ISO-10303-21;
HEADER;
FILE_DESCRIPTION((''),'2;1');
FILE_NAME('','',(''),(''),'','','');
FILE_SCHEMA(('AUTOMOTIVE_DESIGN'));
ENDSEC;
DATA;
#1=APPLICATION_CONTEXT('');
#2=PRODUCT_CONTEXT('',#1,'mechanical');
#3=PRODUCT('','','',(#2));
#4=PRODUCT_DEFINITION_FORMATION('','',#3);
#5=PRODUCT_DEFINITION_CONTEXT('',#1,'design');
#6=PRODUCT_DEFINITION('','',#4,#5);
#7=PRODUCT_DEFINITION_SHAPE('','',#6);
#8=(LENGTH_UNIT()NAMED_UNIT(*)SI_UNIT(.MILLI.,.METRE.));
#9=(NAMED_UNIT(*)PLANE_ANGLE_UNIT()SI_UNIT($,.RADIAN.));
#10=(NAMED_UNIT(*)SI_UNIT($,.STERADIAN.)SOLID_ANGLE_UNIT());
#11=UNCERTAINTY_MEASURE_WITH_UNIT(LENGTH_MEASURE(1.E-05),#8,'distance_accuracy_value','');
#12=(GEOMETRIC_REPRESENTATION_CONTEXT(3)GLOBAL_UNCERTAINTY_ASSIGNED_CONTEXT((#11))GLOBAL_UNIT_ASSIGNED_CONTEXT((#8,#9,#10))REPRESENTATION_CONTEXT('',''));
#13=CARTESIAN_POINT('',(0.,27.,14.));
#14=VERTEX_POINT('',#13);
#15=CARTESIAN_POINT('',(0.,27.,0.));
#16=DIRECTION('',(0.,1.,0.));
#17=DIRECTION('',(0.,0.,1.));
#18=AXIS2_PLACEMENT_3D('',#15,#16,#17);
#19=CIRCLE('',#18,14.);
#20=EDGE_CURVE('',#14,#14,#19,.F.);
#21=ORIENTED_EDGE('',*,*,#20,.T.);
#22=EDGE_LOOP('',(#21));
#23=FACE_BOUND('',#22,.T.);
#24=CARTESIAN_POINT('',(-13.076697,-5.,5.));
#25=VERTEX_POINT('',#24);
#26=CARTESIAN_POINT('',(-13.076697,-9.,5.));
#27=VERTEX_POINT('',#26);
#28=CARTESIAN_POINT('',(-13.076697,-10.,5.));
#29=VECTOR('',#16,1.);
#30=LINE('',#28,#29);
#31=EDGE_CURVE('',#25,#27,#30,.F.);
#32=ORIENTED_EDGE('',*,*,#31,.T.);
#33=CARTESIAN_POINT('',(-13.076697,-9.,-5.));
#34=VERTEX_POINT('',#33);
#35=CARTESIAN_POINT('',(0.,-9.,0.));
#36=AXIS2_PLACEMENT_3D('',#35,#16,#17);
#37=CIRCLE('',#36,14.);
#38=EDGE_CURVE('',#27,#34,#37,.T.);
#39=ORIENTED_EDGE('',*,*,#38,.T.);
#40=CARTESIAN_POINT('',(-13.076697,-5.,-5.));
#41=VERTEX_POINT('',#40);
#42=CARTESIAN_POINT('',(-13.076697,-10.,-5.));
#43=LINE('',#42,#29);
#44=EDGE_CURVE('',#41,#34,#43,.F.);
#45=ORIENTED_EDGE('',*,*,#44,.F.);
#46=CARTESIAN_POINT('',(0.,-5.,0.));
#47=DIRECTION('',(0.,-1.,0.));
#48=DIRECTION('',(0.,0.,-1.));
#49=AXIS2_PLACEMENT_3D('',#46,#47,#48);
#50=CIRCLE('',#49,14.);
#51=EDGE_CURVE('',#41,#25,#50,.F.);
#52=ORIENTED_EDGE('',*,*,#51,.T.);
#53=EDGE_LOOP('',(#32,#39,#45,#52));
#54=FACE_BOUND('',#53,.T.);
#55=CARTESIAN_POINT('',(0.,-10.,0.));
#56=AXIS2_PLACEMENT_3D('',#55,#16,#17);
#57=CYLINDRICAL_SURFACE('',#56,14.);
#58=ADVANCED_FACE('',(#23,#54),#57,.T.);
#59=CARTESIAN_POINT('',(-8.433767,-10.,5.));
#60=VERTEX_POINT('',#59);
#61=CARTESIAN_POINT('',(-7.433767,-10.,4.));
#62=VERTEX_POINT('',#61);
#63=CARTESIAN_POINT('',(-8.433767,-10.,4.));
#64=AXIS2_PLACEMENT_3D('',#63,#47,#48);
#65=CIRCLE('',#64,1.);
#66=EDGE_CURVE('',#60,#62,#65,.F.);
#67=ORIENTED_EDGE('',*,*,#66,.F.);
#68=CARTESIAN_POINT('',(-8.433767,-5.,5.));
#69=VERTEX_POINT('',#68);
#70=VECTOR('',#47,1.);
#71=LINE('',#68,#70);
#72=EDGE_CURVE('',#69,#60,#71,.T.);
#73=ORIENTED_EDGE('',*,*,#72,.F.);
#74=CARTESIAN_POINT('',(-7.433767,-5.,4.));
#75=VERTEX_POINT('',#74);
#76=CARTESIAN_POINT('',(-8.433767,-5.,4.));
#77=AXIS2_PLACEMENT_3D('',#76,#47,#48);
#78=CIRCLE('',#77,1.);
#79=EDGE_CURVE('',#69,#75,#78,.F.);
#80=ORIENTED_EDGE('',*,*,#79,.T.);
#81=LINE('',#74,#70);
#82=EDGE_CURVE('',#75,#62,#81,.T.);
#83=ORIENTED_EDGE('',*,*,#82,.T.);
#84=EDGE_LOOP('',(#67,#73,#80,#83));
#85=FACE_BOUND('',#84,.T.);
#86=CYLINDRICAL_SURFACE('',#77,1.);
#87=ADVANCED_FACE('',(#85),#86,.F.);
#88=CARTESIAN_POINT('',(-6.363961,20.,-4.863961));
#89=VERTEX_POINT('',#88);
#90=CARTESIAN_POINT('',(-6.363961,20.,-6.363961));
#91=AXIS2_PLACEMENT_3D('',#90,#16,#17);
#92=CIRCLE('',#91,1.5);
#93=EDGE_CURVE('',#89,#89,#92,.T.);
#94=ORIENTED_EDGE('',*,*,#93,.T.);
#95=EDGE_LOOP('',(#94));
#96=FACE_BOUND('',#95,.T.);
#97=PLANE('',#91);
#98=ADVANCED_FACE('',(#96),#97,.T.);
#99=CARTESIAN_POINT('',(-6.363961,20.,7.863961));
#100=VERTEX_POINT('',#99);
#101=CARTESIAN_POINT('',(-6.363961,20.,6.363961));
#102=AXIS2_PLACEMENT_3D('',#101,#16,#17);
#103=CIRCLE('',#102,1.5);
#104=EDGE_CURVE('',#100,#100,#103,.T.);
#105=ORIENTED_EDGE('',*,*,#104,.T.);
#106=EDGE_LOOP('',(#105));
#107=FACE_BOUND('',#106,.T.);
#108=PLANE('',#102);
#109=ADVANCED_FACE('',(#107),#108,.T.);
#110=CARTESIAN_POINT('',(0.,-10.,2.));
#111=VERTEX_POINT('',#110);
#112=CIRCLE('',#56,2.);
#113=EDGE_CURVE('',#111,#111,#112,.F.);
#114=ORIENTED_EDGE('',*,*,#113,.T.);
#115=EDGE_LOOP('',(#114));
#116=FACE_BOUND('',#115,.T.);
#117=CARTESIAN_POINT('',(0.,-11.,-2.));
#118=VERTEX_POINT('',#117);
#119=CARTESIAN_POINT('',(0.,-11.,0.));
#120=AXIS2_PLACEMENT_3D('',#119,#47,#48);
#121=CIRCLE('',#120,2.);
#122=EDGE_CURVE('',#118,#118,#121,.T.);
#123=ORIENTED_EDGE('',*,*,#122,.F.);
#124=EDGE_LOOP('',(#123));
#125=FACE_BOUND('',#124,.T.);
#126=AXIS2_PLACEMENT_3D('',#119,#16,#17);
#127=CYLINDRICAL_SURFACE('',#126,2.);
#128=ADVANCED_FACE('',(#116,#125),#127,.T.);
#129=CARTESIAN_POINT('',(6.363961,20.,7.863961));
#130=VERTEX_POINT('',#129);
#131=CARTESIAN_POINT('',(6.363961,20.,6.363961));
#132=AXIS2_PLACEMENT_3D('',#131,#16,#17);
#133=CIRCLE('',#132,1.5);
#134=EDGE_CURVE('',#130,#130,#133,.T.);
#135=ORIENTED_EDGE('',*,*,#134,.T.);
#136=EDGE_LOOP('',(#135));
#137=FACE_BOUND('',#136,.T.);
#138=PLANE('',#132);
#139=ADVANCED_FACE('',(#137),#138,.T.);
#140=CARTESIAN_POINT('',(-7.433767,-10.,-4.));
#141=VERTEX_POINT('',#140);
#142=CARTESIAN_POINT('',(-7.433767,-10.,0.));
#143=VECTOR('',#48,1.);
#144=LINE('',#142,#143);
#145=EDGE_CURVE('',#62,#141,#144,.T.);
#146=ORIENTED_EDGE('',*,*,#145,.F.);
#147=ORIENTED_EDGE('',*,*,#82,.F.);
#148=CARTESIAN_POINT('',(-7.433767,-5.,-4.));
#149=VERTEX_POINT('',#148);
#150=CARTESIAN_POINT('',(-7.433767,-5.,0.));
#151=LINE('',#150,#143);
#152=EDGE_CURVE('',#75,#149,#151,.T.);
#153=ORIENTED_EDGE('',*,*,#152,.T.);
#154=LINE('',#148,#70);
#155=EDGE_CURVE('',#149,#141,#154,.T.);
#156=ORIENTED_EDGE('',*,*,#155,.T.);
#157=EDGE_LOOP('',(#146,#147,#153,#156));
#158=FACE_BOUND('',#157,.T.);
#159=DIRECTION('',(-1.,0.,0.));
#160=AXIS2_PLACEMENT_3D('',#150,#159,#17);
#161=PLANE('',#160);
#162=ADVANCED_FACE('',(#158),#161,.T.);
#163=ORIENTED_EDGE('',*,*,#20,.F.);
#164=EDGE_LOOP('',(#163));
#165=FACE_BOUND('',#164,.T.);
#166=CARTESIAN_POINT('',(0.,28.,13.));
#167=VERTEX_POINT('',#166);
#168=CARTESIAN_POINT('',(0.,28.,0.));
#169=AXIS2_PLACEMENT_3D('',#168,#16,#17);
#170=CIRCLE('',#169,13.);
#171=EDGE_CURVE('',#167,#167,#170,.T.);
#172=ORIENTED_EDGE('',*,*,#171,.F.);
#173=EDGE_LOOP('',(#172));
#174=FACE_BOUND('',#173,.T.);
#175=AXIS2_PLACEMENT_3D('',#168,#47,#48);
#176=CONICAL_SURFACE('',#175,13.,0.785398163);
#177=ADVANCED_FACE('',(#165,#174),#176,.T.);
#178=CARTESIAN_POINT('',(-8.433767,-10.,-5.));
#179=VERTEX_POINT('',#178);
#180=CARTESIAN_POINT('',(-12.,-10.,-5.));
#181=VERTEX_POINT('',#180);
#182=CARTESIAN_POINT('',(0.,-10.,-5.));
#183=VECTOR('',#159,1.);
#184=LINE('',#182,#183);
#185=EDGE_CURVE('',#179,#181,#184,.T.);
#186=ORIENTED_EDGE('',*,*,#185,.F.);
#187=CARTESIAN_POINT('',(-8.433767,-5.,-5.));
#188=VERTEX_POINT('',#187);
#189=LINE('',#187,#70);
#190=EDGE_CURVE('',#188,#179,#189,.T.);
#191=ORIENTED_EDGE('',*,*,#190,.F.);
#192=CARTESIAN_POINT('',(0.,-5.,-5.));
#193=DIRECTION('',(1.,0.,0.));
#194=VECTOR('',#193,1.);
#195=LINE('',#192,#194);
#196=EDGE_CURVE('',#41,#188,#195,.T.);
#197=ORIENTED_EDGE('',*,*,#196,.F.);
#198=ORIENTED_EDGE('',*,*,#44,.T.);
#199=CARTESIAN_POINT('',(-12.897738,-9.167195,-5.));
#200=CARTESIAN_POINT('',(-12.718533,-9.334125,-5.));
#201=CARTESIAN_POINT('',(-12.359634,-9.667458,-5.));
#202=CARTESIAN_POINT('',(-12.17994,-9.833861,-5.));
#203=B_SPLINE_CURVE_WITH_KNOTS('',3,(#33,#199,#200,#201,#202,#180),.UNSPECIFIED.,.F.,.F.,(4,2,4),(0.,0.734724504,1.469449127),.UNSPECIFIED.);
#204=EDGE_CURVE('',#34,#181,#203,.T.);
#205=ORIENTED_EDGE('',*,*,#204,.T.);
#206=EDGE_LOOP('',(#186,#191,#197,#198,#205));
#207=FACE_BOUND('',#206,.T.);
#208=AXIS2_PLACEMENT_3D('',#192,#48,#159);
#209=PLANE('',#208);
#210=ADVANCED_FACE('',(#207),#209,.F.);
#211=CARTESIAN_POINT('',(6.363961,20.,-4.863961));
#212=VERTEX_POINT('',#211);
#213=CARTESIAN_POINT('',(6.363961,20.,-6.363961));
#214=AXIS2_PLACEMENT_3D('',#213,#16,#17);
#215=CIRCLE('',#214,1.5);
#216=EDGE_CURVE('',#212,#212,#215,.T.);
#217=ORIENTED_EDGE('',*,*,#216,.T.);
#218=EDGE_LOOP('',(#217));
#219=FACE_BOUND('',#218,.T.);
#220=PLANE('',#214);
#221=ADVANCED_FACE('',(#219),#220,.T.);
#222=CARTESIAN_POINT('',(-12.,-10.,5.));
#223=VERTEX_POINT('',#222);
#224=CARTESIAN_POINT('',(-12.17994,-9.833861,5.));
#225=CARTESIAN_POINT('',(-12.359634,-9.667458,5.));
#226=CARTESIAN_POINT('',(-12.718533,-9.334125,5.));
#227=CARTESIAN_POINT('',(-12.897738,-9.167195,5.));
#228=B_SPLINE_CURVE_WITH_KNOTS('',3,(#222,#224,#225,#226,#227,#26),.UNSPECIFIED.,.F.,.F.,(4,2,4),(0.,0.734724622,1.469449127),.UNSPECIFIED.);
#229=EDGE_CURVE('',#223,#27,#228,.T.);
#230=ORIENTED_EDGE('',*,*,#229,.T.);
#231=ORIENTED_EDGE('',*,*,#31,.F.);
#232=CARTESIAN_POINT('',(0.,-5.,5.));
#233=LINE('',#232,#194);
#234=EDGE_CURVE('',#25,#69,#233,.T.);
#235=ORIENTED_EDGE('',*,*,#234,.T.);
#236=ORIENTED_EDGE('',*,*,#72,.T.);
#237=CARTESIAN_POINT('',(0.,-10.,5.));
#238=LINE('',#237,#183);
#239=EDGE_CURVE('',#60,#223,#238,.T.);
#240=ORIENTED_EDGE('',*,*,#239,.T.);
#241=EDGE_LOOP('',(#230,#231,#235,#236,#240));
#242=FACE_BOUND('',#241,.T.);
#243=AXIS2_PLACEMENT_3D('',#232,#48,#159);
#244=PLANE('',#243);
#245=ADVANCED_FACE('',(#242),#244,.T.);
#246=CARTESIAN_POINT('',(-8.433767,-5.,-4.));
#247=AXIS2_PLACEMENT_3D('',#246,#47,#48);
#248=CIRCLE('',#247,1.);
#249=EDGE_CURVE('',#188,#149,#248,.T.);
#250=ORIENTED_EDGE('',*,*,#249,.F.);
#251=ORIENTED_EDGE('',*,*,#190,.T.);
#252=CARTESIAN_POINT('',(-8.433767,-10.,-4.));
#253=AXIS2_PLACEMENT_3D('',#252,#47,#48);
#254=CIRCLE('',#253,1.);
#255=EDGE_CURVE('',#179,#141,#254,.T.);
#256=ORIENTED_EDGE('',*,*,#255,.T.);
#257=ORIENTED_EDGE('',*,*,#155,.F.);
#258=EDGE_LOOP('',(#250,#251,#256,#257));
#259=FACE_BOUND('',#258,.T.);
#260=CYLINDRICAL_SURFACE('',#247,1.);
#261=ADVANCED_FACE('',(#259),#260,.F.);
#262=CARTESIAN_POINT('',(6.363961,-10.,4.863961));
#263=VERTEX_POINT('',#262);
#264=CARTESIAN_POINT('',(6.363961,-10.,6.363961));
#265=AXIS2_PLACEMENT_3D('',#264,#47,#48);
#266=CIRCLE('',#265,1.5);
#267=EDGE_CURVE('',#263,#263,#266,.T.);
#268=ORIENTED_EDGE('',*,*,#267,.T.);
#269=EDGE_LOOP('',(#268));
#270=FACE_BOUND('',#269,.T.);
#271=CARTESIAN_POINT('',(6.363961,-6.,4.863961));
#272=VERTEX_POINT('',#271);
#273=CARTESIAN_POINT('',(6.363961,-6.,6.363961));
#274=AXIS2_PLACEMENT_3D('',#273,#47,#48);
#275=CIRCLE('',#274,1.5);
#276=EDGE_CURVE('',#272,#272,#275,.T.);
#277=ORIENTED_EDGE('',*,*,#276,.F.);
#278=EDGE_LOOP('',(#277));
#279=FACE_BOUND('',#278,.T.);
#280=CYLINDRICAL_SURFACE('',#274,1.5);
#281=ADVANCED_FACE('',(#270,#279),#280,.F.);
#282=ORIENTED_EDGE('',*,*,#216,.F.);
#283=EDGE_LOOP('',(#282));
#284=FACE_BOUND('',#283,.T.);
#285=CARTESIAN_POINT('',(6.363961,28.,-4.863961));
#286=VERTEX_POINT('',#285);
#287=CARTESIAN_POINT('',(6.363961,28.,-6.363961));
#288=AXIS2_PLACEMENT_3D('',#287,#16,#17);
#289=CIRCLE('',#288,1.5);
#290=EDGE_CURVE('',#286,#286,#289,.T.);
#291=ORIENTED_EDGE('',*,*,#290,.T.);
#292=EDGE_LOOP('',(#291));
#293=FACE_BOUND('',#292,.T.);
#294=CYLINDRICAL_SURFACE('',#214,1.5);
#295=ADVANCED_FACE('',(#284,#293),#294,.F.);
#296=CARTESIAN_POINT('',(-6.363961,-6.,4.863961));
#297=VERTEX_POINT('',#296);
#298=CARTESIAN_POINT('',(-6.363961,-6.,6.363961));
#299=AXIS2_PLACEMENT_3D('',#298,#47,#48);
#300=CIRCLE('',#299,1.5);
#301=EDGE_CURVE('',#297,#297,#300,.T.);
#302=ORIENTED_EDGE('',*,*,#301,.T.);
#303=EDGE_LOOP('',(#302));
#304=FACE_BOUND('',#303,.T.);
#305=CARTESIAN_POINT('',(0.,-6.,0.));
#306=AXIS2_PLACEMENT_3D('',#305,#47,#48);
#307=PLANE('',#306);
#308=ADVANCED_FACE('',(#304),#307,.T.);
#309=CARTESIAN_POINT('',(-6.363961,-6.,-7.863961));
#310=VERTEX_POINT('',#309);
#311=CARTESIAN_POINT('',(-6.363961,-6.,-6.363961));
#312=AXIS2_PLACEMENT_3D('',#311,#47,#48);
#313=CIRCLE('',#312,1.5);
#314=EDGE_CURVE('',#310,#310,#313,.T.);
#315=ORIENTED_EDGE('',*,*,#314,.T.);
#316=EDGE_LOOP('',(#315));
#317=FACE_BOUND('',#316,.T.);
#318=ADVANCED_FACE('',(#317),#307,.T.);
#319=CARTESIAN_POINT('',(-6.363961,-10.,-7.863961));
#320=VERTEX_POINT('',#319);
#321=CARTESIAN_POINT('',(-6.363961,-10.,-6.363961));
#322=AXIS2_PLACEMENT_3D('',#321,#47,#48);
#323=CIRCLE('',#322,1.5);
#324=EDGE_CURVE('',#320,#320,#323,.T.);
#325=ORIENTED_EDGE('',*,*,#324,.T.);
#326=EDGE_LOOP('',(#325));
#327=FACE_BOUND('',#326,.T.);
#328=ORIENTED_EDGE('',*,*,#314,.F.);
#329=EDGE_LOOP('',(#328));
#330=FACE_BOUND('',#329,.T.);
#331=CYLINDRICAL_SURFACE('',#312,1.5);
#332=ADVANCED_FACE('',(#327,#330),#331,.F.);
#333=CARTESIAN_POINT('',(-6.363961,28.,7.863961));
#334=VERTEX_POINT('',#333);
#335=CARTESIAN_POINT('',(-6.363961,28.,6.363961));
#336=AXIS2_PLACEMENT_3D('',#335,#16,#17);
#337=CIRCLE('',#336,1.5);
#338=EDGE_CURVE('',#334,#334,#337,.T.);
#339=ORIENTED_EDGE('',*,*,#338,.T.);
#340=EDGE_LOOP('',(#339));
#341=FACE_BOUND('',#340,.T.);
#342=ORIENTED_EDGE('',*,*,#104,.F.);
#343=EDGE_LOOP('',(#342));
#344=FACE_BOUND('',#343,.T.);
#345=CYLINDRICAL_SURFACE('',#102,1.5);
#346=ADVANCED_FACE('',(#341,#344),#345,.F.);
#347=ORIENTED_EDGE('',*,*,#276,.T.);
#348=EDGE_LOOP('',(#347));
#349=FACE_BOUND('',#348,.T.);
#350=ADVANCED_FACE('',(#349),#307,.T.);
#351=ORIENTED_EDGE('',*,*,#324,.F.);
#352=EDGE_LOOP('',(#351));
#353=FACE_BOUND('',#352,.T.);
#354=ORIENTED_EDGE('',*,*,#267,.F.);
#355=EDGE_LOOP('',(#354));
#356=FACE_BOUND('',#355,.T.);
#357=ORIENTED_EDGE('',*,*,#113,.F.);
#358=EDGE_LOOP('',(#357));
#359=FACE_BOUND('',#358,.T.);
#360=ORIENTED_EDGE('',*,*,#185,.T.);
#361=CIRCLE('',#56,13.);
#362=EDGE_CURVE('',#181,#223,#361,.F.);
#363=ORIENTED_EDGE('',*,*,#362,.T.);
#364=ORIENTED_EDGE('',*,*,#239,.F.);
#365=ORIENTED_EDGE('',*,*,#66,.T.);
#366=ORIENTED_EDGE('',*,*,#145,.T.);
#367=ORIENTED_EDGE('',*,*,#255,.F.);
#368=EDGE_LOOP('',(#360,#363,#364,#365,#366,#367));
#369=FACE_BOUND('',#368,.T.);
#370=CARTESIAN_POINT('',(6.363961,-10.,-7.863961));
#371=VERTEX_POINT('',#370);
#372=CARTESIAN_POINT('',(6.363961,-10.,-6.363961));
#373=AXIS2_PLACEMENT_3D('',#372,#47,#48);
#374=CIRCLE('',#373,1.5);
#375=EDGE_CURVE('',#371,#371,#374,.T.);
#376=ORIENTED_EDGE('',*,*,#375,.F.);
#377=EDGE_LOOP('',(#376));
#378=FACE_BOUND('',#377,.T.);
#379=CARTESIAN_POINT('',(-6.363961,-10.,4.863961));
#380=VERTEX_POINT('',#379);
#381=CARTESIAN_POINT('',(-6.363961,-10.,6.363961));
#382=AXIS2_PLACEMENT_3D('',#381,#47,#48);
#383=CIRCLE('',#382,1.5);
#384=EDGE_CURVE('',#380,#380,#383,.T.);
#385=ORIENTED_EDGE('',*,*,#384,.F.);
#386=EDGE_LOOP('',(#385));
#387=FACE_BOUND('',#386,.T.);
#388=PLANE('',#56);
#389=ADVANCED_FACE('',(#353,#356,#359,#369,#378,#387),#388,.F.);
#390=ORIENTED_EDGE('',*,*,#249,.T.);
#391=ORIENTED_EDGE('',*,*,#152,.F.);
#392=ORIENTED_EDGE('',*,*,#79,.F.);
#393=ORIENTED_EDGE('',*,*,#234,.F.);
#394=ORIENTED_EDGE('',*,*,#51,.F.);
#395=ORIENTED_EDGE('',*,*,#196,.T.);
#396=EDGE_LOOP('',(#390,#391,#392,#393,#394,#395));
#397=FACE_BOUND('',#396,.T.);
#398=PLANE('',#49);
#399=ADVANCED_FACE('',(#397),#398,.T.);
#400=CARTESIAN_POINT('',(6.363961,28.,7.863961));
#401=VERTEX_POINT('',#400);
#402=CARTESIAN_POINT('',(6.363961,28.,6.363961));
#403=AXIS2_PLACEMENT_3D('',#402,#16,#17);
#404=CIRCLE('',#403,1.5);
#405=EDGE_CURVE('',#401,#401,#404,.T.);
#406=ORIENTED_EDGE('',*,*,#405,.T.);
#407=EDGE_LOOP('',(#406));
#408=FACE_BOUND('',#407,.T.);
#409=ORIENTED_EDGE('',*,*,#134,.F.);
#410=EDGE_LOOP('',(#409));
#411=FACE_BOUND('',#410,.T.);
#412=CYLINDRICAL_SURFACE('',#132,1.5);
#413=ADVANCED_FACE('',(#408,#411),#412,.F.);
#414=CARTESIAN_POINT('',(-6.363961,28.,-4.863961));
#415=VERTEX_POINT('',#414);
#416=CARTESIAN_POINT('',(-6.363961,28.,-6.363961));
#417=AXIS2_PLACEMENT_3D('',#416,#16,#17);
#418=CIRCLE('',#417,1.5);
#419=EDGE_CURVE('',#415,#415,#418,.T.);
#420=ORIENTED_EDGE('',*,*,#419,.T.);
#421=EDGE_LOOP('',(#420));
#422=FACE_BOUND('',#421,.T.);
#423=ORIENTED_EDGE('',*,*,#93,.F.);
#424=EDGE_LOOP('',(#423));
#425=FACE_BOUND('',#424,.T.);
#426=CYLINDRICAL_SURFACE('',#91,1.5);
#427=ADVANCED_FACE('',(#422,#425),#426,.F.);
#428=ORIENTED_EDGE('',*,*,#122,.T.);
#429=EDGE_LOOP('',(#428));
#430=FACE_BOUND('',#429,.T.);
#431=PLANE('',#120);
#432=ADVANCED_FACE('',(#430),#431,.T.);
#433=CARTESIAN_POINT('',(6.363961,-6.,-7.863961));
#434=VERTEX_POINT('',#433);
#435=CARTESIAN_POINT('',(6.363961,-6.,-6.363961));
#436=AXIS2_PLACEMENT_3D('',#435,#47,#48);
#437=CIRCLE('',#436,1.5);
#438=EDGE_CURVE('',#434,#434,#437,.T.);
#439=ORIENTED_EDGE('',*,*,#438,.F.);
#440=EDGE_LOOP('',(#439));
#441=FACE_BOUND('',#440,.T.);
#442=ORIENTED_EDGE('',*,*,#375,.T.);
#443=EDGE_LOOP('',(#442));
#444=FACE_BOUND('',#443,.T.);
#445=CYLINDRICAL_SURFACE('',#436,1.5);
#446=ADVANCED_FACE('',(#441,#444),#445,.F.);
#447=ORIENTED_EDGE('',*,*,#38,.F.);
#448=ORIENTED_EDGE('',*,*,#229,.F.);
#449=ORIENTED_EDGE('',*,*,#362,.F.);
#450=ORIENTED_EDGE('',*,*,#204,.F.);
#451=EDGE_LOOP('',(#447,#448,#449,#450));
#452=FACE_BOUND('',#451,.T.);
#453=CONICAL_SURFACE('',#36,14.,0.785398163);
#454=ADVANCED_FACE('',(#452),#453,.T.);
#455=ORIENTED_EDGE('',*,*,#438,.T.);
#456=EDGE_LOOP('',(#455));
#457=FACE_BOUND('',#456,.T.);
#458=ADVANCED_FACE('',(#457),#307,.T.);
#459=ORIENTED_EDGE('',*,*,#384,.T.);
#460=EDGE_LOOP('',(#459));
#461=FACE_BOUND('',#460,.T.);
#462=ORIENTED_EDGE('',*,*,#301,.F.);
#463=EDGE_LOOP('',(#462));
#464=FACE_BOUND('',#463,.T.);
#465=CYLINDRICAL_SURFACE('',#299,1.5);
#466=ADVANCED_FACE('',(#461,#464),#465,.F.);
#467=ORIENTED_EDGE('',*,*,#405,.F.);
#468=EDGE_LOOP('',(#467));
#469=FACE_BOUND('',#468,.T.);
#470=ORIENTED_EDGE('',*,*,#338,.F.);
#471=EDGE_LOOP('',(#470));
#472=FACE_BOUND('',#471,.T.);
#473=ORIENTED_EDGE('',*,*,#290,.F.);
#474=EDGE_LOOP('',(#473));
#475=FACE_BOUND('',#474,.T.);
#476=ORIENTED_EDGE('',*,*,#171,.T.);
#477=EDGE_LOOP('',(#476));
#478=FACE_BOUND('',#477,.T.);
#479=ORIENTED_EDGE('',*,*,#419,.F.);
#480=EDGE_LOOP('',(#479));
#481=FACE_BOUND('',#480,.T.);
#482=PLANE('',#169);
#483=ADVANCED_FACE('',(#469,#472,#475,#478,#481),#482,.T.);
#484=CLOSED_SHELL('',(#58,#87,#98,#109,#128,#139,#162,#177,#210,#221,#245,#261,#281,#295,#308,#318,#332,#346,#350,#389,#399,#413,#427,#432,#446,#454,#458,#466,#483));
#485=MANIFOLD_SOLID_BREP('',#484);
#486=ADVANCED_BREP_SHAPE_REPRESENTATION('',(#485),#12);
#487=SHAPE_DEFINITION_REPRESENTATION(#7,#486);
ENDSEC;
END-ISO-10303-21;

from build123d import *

# Parameters (mm, degrees)
BOSS_EXTRUDE1_DEPTH      = 28
BOSS_EXTRUDE1_DEPTH_BACK = 10
SKETCH1_R                = 14
SKETCH2_R                = 1.5
CUT_EXTRUDE1_DEPTH       = 8
CUT_EXTRUDE2_START       = -4
SKETCH3_R                = 1.5
CUT_EXTRUDE2_DEPTH       = 4
CUT_EXTRUDE3_DEPTH       = 5
SKETCH3_4_R              = 2
BOSS_EXTRUDE2_DEPTH      = 1
CHAMFER1_SIZE            = 1


with BuildPart() as part:
    # Sketch1 → Boss-Extrude1 (new, two sides: drawn at the far end of the back side and taken through both)
    with BuildSketch(Plane(origin=(0, 0, 0), x_dir=(1, 0, 0), z_dir=(0, 1, 0)).offset(-BOSS_EXTRUDE1_DEPTH_BACK)):
        Circle(SKETCH1_R)
    extrude(amount=BOSS_EXTRUDE1_DEPTH + BOSS_EXTRUDE1_DEPTH_BACK)

    # Sketch2 → Cut-Extrude1 (cut)
    with BuildSketch(Plane(origin=(0, 28, 0), x_dir=(1, 0, 0), z_dir=(0, 1, 0))):
        with Locations((-6.363961031, 6.363961031)):
            Circle(SKETCH2_R)
        with Locations((6.363961031, 6.363961031)):
            Circle(SKETCH2_R)
        with Locations((6.363961031, -6.363961031)):
            Circle(SKETCH2_R)
        with Locations((-6.363961031, -6.363961031)):
            Circle(SKETCH2_R)
    extrude(amount=-CUT_EXTRUDE1_DEPTH, mode=Mode.SUBTRACT)

    # Sketch3 → Cut-Extrude2 (cut)
    with BuildSketch(Plane.XZ.offset(10).offset(CUT_EXTRUDE2_START)):
        with Locations((-6.363961031, 6.363961031)):
            Circle(SKETCH3_R)
        with Locations((6.363961031, 6.363961031)):
            Circle(SKETCH3_R)
        with Locations((6.363961031, -6.363961031)):
            Circle(SKETCH3_R)
        with Locations((-6.363961031, -6.363961031)):
            Circle(SKETCH3_R)
    extrude(amount=CUT_EXTRUDE2_DEPTH, mode=Mode.SUBTRACT)

    # Sketch3<3> → Cut-Extrude3 (cut)
    with BuildSketch(Plane.XZ.offset(10)):
        with BuildLine():
            Line((-20.566233409, 5), (-20.566233409, -5))
            Line((-20.566233409, -5), (-8.433766591, -5))
            ThreePointArc((-8.433766591, -5), (-7.726659809, -4.707106781), (-7.433766591, -4))
            Line((-7.433766591, -4), (-7.433766591, 4))
            ThreePointArc((-7.433766591, 4), (-7.726659809, 4.707106781), (-8.433766591, 5))
            Line((-8.433766591, 5), (-20.566233409, 5))
        make_face()
    extrude(amount=-CUT_EXTRUDE3_DEPTH, mode=Mode.SUBTRACT)

    # Sketch3<4> → Boss-Extrude2 (add)
    with BuildSketch(Plane.XZ.offset(10)):
        Circle(SKETCH3_4_R)
    extrude(amount=BOSS_EXTRUDE2_DEPTH)

    # Chamfer1
    chamfer1_edges = [part.edges().sort_by_distance(p)[0] for p in [
        (-14, 28, 0),
        (2.542267135, -10, -13.767239295),
    ]]
    chamfer(chamfer1_edges, length=CHAMFER1_SIZE)


solid = part.part
